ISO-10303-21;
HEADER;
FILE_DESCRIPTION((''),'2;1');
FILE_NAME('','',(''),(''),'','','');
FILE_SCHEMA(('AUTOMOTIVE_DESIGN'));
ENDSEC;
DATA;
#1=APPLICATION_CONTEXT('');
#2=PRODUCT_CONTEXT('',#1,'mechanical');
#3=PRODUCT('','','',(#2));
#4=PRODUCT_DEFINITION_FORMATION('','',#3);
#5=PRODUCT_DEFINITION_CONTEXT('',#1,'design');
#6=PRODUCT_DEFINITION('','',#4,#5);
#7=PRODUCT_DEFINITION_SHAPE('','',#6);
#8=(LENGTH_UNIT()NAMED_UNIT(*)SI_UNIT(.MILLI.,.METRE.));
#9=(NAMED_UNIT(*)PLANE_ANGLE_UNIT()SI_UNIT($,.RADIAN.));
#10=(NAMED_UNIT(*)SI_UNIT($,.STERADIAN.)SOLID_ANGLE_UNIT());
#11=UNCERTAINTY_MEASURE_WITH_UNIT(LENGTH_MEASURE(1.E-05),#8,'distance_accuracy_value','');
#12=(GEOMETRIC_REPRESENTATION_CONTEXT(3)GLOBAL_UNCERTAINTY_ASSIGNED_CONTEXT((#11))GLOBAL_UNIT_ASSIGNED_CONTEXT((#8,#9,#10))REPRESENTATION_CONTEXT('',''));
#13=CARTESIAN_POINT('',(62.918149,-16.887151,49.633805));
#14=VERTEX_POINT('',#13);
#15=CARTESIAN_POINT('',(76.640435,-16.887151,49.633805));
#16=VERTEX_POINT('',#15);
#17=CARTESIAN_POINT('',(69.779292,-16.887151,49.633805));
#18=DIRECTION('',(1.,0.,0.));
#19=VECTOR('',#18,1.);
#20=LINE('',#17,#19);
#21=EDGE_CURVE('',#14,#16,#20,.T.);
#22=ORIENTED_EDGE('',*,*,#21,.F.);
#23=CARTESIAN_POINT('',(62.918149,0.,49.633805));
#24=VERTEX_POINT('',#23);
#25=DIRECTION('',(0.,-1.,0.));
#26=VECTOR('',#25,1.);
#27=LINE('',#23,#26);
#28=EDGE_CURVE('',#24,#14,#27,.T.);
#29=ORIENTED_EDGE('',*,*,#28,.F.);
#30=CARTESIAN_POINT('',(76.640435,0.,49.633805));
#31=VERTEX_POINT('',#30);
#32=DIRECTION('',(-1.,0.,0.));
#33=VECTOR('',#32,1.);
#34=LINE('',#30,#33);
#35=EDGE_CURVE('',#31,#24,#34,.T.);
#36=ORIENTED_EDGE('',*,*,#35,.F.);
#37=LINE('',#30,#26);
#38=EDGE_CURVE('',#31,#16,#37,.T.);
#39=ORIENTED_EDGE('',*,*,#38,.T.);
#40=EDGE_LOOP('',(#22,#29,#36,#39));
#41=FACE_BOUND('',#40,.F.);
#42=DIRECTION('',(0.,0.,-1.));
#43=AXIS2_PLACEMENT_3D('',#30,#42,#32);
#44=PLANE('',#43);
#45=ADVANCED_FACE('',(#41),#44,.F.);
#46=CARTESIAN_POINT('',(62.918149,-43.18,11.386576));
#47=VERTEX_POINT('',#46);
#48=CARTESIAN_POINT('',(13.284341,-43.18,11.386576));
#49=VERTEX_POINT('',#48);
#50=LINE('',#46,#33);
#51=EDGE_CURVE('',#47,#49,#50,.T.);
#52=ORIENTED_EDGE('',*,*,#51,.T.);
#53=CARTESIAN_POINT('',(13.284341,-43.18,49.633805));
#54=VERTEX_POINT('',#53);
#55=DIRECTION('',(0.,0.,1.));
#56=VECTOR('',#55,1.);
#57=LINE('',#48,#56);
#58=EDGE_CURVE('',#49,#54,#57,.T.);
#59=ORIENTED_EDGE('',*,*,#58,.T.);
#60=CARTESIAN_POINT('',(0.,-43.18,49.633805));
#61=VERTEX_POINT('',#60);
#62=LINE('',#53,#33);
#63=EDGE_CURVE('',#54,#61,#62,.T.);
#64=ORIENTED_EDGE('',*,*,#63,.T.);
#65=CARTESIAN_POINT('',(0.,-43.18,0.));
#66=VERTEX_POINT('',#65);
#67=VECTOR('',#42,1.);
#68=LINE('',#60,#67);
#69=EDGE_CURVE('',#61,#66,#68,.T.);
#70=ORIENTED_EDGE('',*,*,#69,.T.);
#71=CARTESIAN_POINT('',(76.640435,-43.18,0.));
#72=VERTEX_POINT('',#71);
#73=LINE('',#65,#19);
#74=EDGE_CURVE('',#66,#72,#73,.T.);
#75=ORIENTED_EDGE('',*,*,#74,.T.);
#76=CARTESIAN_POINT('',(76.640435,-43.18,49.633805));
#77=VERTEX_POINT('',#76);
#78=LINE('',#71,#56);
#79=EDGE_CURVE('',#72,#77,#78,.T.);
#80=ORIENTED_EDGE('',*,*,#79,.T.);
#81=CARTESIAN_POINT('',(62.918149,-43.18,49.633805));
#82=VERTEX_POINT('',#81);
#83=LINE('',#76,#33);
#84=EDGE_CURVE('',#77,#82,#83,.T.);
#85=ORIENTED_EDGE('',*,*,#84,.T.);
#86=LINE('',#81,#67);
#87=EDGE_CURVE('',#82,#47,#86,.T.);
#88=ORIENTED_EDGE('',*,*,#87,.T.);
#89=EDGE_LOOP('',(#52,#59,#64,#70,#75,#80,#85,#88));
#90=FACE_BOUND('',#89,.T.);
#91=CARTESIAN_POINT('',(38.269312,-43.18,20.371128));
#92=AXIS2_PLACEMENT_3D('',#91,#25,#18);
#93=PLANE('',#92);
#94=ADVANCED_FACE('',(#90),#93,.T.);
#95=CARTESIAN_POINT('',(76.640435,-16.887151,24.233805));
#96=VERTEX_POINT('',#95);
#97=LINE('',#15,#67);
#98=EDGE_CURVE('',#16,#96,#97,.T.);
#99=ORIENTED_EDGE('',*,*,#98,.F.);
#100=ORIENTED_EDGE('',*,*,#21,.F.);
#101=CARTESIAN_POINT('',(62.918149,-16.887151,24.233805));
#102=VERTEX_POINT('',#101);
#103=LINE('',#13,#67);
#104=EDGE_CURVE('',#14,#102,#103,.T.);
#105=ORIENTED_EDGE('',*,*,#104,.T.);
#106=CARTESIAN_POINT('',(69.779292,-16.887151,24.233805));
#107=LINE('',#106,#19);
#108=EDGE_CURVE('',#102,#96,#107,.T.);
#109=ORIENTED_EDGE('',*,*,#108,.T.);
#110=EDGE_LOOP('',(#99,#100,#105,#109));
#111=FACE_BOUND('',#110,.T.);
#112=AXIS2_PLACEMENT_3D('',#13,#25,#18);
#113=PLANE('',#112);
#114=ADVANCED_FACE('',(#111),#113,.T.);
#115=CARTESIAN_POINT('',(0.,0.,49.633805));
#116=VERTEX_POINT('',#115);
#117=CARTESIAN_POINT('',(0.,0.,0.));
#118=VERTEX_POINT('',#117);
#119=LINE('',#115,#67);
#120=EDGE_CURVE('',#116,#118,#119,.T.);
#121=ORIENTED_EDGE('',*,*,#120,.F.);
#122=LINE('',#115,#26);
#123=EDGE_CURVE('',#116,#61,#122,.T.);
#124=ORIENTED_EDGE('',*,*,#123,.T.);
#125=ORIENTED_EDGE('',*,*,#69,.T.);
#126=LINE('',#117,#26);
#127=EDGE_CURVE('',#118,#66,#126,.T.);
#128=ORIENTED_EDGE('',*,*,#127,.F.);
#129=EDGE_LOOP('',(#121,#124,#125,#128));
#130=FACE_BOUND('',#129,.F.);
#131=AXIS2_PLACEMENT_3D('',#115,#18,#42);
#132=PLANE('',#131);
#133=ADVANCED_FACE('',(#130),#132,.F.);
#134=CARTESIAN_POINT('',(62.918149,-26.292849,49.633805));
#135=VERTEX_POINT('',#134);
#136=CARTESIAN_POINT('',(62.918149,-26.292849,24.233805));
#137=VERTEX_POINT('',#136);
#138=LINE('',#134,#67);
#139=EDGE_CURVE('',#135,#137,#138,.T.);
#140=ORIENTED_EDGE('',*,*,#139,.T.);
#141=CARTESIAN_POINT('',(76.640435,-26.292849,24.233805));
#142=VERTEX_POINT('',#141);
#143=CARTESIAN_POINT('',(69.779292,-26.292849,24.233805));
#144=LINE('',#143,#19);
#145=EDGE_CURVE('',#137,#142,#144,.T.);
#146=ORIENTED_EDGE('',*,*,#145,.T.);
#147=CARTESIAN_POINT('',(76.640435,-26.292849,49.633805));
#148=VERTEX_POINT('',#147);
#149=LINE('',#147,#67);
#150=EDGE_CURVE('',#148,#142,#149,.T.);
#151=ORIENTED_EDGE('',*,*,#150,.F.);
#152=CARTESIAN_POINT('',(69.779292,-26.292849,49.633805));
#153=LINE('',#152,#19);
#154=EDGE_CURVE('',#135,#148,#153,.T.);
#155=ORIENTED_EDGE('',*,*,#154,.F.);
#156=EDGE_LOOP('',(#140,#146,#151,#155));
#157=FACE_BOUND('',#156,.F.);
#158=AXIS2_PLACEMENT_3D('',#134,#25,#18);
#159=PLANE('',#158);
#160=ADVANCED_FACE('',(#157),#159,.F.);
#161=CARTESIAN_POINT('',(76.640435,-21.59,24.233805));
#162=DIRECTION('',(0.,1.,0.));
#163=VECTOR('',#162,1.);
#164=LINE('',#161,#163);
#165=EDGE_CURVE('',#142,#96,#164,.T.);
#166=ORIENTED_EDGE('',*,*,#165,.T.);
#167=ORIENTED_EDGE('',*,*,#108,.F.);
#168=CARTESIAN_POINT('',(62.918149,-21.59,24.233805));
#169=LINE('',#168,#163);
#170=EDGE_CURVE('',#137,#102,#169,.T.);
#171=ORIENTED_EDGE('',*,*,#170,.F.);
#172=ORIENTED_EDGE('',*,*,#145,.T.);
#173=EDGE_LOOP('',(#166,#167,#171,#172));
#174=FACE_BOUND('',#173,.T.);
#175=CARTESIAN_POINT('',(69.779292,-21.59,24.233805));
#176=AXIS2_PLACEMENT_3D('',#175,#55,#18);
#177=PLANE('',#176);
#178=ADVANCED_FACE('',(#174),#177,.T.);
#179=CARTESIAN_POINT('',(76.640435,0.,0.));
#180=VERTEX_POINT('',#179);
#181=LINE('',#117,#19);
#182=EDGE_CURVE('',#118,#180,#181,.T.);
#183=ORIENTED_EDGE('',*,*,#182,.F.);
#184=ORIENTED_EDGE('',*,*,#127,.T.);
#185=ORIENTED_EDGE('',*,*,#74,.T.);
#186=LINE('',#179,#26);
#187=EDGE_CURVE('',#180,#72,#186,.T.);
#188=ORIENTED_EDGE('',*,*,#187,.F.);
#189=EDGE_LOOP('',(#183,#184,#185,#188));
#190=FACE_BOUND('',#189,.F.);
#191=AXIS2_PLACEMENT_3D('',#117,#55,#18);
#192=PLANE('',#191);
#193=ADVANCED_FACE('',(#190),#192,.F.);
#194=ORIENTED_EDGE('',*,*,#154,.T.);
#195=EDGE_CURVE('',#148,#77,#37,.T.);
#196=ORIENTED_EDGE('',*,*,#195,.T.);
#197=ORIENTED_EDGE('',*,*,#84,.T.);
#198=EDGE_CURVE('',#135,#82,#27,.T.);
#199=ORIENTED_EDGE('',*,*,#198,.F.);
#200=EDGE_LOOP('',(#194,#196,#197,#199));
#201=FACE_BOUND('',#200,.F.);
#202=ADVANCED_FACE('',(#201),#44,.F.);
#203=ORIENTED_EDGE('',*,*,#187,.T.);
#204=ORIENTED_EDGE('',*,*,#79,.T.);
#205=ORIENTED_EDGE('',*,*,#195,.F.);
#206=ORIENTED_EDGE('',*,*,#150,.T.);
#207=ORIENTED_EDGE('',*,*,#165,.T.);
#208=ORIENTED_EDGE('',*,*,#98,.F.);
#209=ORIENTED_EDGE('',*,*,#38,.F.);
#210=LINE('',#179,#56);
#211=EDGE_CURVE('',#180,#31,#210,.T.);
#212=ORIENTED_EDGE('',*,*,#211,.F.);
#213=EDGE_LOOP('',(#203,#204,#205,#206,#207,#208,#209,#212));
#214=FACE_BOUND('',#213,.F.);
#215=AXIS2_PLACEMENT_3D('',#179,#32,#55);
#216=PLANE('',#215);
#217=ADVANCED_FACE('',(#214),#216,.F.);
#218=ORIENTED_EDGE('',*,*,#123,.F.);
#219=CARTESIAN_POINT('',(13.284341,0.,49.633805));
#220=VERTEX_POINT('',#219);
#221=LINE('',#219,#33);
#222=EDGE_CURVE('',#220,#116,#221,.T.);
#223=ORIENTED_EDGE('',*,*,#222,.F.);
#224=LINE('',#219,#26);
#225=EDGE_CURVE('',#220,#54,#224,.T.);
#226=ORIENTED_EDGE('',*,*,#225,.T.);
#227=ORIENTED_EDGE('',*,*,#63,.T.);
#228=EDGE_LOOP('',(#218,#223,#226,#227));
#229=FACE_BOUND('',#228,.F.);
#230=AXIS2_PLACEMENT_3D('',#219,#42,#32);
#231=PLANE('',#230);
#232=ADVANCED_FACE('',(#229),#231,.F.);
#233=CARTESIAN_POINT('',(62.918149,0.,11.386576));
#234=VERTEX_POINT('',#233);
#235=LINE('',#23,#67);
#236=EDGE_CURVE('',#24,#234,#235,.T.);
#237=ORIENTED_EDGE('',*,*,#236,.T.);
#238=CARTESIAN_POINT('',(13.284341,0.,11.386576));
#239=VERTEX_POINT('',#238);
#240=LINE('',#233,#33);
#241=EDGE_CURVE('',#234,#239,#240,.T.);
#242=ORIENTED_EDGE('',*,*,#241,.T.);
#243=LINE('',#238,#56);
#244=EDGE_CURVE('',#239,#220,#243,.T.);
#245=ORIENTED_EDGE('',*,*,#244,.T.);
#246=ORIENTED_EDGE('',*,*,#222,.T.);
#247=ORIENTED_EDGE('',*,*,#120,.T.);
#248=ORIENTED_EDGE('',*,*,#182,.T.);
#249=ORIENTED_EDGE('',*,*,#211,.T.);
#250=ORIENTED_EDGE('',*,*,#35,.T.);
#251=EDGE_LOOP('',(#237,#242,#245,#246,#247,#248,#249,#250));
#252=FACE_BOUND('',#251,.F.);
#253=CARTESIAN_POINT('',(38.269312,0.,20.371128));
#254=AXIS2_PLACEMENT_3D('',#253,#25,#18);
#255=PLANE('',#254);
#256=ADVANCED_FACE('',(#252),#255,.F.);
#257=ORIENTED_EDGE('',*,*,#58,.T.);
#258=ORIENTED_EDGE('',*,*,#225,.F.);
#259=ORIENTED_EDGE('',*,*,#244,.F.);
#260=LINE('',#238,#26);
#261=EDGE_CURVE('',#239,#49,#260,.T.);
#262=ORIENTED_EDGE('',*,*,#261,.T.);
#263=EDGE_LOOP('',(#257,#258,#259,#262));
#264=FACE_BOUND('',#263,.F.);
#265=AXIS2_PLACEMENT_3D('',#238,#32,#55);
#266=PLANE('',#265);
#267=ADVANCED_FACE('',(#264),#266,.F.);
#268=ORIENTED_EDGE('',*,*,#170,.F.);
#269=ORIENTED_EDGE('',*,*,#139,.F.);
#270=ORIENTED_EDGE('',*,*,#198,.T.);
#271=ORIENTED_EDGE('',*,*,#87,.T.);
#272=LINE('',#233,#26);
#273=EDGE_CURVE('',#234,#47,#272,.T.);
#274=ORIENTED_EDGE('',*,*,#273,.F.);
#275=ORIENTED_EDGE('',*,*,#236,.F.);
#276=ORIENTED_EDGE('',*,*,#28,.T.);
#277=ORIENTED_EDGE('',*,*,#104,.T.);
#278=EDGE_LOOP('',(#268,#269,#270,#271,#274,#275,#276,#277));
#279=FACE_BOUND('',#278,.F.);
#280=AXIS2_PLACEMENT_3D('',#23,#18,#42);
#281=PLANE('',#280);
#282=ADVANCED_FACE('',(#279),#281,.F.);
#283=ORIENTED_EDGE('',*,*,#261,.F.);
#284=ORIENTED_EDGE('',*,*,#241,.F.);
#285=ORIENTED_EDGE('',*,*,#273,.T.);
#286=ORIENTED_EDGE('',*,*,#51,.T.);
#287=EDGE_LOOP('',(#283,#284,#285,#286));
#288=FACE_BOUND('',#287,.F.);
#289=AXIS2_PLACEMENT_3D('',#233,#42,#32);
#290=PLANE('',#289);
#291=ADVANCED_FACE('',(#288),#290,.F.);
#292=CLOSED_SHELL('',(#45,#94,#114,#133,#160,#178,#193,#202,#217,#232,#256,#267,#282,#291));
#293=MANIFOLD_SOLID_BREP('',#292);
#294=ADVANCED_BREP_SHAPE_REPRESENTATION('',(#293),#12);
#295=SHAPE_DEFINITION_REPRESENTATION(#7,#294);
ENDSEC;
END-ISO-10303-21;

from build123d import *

# Parameters (mm, degrees)
F1_DEPTH = 43.18
F2_W     = 13.722286
F2_H     = 9.405698
F3_DEPTH = 25.4


with BuildPart() as f1:
    # F0 (on Front) → F1 (new body)
    with BuildSketch(Plane.XZ):
        Polygon((0, 49.633805), (0, 0), (76.640435, 0), (76.640435, 49.633805), (62.918149, 49.633805), (62.918149, 11.386576), (38.320217, 11.386576), (13.284341, 11.386576), (13.284341, 49.633805), align=None)
    extrude(amount=F1_DEPTH)

    # F2 (on face) → F3 (cut)
    with BuildSketch(Plane.XY.offset(49.633805)):
        with Locations((69.779292, -21.59)):
            Rectangle(F2_W, F2_H)
    extrude(amount=-F3_DEPTH, mode=Mode.SUBTRACT)


solid = f1.part
